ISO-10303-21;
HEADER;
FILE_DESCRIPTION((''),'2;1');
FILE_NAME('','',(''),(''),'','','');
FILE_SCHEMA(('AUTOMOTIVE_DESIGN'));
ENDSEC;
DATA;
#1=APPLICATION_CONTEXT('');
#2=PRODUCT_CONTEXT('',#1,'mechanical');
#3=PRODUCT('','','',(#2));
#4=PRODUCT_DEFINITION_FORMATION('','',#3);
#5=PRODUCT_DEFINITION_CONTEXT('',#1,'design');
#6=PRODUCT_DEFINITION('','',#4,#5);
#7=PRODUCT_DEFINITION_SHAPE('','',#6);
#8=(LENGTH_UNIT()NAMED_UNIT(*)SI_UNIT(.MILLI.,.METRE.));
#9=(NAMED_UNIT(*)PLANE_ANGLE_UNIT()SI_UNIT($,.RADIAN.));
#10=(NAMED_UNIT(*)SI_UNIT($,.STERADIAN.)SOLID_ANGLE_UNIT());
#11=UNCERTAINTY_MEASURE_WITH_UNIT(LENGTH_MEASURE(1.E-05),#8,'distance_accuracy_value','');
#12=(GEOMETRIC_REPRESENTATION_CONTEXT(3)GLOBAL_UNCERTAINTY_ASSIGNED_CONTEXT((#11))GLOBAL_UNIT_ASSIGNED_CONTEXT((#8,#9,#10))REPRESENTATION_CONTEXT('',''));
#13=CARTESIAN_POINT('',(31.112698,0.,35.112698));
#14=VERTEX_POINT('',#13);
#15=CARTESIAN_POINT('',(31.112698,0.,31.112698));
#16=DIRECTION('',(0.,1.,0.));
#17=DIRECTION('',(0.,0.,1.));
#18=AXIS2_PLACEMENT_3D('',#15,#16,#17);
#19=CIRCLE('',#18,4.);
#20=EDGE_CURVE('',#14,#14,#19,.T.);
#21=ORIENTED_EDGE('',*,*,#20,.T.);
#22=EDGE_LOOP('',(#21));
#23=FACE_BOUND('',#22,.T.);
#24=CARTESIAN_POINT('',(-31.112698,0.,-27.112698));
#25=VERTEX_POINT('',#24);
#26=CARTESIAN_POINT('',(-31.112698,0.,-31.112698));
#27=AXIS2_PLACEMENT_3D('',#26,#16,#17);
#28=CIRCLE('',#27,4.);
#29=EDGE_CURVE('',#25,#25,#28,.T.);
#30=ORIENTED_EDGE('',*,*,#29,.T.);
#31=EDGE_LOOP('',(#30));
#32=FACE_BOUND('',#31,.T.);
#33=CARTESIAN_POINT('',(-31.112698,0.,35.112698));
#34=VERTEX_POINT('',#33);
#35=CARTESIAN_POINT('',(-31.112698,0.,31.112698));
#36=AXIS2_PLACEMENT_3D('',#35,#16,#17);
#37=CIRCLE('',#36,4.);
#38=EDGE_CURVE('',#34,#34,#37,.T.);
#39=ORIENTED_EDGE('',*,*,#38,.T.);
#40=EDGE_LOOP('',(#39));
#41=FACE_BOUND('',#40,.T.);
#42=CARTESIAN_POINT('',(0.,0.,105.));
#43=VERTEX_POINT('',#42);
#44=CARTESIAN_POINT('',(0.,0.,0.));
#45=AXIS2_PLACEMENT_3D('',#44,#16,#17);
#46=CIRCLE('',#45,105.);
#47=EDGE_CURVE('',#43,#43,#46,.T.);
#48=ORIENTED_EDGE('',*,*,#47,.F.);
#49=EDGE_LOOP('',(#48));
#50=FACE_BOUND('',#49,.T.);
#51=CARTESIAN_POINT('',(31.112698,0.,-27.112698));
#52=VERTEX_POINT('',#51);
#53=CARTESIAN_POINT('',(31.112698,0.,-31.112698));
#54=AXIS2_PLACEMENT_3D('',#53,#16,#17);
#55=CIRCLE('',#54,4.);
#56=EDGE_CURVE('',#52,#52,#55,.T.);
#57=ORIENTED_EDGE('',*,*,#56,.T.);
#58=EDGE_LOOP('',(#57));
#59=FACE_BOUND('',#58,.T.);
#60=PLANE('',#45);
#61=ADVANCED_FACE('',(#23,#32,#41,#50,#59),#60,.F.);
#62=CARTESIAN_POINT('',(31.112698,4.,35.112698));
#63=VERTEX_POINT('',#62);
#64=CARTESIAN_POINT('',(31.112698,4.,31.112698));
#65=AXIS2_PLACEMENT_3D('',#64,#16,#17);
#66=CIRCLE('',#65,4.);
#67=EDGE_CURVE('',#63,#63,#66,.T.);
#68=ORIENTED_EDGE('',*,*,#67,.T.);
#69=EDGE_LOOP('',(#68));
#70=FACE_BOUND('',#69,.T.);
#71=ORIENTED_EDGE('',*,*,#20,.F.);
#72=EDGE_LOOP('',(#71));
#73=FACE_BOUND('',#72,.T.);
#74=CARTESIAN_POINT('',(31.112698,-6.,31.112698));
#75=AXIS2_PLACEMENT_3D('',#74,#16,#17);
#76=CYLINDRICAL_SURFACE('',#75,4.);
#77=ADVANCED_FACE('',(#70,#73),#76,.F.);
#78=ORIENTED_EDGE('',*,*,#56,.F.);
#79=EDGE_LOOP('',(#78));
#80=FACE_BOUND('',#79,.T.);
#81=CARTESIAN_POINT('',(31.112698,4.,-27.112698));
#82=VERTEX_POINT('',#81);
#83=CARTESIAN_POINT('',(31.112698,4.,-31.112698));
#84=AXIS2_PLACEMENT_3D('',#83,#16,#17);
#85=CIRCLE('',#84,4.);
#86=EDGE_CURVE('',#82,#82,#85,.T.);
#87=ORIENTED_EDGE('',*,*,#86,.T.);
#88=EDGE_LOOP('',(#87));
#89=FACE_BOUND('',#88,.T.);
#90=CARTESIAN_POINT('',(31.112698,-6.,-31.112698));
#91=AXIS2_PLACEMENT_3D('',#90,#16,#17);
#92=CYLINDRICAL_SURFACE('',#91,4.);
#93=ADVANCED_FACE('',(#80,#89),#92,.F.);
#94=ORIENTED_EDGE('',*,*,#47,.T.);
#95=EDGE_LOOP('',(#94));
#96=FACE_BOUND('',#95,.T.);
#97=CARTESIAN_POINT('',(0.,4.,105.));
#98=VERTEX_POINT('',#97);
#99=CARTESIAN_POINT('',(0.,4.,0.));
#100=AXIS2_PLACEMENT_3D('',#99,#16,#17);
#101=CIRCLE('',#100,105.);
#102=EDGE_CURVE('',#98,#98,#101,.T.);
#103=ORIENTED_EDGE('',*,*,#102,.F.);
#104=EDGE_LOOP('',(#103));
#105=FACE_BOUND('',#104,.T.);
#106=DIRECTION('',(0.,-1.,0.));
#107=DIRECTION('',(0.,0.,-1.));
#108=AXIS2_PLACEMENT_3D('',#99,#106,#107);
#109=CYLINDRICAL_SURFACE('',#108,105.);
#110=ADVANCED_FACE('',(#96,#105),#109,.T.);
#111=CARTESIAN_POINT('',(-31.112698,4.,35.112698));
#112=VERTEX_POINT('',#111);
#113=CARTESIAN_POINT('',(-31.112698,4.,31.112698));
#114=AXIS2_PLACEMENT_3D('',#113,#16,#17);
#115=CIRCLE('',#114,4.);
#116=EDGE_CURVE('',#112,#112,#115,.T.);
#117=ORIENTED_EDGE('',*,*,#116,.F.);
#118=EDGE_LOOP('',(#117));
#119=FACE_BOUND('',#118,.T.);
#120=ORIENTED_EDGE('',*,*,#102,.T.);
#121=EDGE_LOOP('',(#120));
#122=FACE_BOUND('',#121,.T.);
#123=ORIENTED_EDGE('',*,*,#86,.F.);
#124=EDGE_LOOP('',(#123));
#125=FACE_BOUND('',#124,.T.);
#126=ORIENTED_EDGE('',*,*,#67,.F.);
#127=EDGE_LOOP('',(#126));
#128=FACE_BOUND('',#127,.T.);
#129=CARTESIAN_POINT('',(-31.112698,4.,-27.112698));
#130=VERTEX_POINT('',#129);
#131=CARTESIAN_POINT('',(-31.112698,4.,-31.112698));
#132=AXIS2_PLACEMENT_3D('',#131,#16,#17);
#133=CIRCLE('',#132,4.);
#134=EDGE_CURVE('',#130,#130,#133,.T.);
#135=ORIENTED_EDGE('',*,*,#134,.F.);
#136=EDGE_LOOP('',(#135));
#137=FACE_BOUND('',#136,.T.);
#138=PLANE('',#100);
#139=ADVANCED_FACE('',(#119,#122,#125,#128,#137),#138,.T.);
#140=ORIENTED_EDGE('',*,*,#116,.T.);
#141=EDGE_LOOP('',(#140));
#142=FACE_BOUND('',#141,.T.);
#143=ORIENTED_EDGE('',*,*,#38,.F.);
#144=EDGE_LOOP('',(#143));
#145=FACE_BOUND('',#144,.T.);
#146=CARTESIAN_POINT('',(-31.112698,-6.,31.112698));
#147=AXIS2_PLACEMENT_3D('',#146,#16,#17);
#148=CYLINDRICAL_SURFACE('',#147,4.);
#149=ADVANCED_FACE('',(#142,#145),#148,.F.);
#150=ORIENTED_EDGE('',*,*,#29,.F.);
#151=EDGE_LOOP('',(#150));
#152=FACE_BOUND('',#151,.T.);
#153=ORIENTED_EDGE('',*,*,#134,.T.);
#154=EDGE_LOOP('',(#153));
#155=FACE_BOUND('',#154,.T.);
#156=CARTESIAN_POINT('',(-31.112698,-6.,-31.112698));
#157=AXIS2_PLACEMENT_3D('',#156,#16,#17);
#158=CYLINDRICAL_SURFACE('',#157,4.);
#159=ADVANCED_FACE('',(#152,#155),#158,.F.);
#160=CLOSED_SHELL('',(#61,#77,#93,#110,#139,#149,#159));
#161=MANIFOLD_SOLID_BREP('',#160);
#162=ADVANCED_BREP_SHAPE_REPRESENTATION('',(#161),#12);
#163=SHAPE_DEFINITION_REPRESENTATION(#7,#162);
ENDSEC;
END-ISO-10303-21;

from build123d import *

# Parameters (mm, degrees)
ESBO_O1_R                = 105
RESSALTO_EXTRUS_O1_DEPTH = 4
ESBO_O5_R                = 4
CORTE_EXTRUS_O1_DEPTH    = 10


with BuildPart() as part:
    # Esboço1 → Ressalto-extrusão1 (new body)
    with BuildSketch(Plane(origin=(0, 0, 0), x_dir=(1, 0, 0), z_dir=(0, 1, 0))):
        Circle(ESBO_O1_R)
    extrude(amount=RESSALTO_EXTRUS_O1_DEPTH)

    # Esboço5 → Corte-extrusão1 (cut)
    with BuildSketch(Plane(origin=(0, 4, 0), x_dir=(1, 0, 0), z_dir=(0, 1, 0))):
        with Locations((31.112698372, -31.112698372)):
            Circle(ESBO_O5_R)
        with Locations((31.112698372, 31.112698372)):
            Circle(ESBO_O5_R)
        with Locations((-31.112698372, 31.112698372)):
            Circle(ESBO_O5_R)
        with Locations((-31.112698372, -31.112698372)):
            Circle(ESBO_O5_R)
    extrude(amount=-CORTE_EXTRUS_O1_DEPTH, mode=Mode.SUBTRACT)


solid = part.part
